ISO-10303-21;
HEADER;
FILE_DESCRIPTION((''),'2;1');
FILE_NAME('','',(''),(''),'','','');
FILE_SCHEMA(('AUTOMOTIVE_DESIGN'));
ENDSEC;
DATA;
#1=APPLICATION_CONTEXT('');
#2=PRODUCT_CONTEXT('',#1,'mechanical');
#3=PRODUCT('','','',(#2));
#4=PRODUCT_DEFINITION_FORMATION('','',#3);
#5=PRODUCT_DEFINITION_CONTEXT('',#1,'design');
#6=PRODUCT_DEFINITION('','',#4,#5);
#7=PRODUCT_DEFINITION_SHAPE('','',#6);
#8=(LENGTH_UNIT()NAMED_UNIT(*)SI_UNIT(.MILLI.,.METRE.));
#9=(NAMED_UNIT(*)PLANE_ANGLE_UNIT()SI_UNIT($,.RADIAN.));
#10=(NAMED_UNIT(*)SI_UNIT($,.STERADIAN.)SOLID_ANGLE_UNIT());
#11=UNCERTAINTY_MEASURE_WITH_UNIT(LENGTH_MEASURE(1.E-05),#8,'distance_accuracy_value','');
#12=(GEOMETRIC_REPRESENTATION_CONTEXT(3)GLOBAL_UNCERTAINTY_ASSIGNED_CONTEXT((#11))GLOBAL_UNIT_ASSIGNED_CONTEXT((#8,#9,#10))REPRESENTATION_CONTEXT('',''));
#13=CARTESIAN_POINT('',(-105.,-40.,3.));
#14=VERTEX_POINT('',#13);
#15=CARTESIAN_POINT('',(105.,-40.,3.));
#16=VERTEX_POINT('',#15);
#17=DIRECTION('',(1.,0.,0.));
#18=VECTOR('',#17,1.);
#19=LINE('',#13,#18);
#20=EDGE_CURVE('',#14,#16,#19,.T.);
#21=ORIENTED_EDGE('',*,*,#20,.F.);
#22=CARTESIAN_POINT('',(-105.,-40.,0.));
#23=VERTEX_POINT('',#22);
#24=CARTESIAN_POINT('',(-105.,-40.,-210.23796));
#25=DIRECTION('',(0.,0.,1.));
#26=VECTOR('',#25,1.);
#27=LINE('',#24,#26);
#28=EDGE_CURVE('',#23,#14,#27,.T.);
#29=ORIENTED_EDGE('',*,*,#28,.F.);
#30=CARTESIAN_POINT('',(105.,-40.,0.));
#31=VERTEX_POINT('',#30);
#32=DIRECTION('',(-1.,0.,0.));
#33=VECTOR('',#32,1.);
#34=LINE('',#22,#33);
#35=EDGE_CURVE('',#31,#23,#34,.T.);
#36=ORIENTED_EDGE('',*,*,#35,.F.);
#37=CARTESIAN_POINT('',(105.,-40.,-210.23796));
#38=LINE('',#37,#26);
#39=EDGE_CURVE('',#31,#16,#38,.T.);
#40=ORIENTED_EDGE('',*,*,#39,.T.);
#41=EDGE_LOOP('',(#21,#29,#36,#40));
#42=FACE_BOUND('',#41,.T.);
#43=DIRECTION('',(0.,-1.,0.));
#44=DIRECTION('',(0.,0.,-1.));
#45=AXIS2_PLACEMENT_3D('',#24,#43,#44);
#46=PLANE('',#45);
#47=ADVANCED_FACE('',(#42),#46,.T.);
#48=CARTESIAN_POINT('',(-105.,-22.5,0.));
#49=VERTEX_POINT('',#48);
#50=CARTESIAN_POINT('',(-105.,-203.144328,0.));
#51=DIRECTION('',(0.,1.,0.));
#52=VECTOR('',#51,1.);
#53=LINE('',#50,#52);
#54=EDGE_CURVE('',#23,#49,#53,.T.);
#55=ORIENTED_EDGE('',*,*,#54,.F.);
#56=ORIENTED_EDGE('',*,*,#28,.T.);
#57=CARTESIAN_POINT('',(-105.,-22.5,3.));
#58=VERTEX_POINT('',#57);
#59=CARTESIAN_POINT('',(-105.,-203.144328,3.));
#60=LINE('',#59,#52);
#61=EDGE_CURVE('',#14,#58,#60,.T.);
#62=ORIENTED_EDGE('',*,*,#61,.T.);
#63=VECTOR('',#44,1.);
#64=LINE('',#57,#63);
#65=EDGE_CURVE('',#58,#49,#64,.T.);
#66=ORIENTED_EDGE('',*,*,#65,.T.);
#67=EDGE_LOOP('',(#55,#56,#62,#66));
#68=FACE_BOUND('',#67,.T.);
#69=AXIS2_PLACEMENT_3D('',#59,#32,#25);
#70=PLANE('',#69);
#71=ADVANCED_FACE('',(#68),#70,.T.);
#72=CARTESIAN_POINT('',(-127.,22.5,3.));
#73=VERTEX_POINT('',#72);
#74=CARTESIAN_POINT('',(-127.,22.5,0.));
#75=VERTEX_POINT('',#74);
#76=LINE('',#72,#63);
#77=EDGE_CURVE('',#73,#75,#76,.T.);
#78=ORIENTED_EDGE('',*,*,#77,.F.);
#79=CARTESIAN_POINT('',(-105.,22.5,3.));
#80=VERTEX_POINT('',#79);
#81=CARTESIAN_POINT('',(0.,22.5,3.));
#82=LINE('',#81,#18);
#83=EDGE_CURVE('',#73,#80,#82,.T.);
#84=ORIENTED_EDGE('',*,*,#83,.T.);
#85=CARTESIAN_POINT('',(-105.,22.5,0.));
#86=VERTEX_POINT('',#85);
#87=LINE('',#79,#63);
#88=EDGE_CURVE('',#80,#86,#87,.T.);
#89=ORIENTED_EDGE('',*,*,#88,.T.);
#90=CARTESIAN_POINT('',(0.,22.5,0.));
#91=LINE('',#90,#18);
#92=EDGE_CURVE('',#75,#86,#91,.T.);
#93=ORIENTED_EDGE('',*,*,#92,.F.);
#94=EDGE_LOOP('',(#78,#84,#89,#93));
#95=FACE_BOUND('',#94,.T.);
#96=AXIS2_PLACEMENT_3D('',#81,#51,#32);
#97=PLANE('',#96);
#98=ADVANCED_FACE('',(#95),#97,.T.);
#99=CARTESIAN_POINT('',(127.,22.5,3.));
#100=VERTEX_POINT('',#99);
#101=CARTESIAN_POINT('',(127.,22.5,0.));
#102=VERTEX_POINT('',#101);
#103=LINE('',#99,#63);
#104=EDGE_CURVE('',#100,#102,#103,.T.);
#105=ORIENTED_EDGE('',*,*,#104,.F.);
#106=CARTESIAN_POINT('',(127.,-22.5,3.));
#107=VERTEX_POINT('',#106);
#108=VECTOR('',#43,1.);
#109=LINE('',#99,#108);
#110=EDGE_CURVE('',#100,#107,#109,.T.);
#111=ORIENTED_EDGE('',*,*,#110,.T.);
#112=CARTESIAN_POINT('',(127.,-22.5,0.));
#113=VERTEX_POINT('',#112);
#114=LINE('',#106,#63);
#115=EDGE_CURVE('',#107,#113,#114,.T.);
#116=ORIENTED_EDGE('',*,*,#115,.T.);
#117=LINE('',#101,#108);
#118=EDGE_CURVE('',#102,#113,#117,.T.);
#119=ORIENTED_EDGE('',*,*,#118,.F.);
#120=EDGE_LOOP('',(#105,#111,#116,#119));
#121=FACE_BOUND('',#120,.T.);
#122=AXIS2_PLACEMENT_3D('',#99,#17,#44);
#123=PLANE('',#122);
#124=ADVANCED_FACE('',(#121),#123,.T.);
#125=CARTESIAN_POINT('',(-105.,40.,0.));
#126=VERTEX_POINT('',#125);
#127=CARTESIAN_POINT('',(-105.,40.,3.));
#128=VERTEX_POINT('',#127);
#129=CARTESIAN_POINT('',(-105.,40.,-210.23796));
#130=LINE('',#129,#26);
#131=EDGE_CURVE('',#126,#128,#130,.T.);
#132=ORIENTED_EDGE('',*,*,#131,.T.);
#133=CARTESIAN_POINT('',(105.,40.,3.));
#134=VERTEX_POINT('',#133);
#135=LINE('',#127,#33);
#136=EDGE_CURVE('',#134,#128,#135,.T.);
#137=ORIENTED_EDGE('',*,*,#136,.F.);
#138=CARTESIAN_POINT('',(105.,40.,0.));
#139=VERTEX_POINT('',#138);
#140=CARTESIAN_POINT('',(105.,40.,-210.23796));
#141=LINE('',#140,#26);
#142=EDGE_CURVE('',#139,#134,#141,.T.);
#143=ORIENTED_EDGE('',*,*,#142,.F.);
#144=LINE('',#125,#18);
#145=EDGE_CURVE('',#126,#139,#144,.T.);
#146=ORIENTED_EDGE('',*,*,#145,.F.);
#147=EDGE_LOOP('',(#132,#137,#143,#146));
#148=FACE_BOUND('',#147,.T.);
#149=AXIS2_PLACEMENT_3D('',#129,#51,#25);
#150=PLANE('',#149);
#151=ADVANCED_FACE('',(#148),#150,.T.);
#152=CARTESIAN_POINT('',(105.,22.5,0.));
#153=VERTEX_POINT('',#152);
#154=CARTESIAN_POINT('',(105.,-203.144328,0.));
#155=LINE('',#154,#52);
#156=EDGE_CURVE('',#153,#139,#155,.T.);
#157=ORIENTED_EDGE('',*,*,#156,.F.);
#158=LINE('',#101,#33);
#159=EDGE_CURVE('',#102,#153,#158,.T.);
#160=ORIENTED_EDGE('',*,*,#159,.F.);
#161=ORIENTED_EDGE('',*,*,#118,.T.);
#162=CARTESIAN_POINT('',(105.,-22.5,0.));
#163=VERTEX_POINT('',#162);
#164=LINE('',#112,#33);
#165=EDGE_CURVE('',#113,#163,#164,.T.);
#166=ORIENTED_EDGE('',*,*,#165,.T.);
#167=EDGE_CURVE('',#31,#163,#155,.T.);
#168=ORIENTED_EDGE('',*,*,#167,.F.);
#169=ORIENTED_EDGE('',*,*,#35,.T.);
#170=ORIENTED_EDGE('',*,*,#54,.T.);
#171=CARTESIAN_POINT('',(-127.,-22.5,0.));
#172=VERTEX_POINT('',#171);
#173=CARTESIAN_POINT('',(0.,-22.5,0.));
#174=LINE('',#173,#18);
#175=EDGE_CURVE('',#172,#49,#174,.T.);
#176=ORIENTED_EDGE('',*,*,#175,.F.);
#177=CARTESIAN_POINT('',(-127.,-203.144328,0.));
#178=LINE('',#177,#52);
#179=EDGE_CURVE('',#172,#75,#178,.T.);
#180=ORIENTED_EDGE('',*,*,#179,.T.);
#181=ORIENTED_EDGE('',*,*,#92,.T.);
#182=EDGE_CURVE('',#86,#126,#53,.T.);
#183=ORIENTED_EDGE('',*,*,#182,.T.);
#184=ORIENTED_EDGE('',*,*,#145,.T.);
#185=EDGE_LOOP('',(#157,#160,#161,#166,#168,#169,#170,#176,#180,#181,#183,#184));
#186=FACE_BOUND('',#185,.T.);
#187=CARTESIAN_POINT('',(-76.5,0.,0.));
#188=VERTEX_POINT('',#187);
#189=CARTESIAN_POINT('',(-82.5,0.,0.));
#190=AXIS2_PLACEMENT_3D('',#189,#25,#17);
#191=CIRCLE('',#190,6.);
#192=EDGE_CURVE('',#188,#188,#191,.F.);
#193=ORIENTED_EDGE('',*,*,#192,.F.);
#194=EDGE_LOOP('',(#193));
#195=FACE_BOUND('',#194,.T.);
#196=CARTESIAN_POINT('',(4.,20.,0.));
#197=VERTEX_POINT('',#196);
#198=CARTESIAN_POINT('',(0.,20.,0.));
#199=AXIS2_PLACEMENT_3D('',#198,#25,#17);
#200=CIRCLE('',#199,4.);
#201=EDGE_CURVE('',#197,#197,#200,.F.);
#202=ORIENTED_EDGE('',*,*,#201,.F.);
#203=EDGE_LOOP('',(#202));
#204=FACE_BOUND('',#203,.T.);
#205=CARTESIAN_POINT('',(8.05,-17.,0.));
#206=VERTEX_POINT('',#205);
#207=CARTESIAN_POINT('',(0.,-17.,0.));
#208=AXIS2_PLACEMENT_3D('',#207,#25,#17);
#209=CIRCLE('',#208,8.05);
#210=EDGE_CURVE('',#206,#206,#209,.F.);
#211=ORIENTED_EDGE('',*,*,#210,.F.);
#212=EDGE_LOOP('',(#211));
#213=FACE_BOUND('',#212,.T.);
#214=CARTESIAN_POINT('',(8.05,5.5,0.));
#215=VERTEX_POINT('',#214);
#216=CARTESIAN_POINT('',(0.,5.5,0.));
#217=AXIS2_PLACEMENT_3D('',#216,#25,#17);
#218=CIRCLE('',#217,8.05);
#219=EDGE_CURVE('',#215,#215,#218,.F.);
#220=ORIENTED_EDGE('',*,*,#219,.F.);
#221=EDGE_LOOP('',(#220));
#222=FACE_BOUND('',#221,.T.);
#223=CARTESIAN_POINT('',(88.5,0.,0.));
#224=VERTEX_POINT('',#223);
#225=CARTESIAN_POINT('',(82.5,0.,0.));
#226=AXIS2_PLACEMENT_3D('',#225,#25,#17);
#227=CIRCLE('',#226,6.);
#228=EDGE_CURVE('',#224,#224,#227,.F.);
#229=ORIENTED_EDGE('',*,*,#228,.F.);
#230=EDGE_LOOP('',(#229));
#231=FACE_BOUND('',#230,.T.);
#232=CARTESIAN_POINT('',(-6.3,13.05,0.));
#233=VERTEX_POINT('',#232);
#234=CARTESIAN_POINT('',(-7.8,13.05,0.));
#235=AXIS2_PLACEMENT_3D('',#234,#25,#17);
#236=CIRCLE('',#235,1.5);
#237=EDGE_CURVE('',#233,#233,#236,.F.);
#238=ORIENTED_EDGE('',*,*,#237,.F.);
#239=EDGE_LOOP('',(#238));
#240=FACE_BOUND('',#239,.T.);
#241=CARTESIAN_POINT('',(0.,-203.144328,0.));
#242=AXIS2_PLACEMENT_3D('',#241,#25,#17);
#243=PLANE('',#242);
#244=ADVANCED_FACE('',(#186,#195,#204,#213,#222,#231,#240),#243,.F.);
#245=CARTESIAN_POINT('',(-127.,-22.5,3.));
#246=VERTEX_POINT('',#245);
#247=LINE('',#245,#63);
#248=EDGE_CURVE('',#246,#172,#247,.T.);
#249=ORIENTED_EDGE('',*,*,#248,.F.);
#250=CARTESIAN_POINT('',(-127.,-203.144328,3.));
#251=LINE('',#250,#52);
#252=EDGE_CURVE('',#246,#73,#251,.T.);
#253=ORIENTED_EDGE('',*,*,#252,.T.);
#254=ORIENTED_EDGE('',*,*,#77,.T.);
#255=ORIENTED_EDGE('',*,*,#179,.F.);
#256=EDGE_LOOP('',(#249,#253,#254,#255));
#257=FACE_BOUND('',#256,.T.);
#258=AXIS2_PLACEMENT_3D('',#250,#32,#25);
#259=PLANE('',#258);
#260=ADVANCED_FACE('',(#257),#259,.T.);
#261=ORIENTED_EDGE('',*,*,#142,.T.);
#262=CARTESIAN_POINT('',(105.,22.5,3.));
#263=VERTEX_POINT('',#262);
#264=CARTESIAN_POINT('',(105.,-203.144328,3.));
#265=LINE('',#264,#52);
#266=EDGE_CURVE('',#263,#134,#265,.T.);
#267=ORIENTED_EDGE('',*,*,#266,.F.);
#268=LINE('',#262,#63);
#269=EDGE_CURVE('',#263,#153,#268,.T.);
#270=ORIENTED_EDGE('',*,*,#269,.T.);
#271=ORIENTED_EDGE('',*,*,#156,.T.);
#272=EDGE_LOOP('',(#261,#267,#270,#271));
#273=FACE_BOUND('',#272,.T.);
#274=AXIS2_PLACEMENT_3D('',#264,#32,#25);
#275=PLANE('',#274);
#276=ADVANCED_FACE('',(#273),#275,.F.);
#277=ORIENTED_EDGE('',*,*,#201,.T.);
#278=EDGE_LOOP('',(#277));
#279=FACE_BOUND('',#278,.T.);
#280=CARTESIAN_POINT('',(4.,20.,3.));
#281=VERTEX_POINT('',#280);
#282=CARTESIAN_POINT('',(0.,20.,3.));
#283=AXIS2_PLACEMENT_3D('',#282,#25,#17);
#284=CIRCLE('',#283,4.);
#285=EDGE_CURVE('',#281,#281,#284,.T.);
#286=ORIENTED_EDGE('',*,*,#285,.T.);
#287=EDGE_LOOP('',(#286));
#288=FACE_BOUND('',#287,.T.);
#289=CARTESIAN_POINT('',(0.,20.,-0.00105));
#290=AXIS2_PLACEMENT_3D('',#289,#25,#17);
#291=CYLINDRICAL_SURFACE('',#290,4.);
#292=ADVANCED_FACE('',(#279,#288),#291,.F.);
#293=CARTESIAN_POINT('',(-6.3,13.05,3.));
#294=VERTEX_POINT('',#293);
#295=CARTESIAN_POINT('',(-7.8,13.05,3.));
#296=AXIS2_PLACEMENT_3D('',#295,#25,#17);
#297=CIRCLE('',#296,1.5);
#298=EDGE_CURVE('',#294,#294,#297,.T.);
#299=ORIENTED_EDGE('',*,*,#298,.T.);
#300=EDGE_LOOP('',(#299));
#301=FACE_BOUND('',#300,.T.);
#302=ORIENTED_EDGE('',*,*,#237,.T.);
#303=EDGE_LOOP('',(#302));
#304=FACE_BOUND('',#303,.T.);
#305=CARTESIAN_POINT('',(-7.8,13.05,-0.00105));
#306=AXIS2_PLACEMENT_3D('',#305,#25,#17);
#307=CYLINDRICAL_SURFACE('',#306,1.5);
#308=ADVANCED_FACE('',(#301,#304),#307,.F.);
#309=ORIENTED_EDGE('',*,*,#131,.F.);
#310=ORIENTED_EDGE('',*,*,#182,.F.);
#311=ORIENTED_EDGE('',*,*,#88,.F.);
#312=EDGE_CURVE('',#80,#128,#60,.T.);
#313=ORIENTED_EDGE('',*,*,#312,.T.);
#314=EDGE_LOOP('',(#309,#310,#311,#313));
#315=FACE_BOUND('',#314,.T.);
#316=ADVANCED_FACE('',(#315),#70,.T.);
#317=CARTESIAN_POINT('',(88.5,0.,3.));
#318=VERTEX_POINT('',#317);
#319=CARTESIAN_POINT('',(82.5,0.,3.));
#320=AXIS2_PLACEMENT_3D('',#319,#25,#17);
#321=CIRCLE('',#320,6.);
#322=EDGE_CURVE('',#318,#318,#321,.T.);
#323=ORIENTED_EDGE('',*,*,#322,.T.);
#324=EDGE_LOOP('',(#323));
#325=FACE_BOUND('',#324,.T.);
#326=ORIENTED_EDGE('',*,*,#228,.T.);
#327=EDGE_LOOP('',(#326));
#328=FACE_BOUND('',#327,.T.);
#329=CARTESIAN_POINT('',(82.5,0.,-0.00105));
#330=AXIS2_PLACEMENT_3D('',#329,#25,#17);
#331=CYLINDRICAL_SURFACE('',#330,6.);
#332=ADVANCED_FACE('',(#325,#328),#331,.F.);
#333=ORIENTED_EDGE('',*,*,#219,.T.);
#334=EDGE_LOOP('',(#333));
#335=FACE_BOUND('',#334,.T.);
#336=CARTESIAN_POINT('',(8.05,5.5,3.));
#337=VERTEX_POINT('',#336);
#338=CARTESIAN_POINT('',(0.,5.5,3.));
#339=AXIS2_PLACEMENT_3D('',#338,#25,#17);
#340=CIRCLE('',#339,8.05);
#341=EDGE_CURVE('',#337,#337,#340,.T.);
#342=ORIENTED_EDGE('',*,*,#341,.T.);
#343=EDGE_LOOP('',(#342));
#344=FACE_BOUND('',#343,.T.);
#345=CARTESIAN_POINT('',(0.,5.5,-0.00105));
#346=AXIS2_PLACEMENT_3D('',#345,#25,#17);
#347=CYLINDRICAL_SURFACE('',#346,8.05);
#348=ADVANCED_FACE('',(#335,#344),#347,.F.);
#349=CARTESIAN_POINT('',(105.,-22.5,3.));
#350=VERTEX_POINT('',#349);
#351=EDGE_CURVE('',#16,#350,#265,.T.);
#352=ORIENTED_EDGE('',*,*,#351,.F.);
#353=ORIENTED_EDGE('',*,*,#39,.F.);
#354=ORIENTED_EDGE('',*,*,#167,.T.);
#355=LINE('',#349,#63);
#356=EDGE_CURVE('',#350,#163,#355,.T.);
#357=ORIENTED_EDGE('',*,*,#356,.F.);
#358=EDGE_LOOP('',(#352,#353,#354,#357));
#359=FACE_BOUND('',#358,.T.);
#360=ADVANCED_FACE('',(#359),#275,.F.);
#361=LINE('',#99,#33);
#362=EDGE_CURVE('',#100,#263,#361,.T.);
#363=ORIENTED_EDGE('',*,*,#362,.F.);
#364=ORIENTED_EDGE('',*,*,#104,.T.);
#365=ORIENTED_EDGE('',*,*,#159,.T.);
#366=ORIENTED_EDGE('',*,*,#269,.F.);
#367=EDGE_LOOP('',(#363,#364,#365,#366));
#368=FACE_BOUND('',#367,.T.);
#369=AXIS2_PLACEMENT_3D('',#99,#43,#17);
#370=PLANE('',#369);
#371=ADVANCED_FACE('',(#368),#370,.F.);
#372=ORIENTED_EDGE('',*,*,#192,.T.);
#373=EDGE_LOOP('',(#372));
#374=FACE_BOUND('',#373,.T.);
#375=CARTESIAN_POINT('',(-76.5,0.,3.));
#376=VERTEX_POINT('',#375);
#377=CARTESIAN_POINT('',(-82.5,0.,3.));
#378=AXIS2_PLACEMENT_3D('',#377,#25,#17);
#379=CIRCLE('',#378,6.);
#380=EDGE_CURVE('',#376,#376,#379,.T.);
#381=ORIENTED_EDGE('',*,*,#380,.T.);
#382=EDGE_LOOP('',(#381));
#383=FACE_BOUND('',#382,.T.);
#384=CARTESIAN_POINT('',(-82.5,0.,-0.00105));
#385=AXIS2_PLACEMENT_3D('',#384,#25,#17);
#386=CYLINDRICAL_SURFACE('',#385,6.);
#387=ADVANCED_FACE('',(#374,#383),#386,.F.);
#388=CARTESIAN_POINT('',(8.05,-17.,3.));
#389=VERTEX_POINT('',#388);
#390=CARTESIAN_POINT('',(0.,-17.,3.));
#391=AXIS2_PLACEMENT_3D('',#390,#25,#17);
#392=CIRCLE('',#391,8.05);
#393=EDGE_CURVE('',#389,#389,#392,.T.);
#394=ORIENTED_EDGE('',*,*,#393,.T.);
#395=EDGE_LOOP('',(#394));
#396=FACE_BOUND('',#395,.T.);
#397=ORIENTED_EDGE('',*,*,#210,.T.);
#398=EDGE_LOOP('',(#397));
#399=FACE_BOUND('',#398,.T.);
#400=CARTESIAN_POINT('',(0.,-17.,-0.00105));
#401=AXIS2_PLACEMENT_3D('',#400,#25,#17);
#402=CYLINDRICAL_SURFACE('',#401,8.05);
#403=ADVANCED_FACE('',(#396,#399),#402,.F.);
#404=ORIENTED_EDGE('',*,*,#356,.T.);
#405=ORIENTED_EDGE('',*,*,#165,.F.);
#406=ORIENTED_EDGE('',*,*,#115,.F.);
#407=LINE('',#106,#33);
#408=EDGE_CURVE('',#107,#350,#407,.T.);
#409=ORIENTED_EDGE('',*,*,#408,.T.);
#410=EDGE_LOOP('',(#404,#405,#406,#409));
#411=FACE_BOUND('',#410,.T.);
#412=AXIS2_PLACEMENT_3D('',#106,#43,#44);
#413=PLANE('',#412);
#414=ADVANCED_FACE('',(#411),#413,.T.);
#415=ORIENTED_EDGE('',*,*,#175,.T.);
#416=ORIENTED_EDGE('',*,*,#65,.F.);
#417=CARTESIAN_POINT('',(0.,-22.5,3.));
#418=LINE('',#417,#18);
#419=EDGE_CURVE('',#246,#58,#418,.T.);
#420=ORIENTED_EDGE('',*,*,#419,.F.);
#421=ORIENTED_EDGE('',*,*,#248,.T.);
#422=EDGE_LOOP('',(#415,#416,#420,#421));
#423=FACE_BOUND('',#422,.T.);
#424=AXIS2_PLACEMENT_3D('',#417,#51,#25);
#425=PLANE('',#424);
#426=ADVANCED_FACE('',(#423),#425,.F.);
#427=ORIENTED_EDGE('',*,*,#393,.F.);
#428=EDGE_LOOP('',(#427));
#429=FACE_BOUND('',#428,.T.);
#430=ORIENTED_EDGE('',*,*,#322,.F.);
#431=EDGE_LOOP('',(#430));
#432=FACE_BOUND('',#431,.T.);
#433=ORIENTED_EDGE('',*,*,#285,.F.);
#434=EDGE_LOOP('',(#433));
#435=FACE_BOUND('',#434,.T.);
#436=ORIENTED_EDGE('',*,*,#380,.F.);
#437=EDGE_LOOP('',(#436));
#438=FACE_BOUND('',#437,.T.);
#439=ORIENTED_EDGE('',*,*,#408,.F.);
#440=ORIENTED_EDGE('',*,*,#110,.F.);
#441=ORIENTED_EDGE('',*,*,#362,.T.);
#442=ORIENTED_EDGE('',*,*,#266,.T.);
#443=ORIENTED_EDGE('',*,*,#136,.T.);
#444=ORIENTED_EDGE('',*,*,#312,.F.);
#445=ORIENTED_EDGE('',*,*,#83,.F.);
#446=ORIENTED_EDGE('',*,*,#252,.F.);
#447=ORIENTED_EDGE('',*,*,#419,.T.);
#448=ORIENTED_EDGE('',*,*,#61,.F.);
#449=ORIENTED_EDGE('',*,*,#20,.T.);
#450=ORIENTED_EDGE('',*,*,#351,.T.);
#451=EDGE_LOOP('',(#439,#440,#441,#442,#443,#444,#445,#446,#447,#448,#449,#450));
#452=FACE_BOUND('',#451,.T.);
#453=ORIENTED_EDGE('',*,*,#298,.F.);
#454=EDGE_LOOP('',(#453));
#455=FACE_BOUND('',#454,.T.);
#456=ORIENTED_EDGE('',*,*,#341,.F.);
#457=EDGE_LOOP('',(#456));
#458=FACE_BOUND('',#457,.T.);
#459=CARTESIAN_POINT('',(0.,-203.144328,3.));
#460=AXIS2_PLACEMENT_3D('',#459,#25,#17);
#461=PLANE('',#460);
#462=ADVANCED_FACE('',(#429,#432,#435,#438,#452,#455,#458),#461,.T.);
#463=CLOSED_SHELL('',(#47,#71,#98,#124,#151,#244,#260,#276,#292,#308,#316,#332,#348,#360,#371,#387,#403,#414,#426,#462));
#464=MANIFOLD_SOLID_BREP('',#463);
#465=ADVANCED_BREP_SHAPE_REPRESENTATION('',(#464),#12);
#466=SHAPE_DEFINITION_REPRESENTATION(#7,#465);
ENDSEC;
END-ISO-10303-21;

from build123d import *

# Parameters (mm, degrees)
CROQUIS1_W              = 22
CROQUIS1_H              = 45
CROQUIS1_W_2            = 210
CROQUIS1_H_2            = 60
SALIENTE_EXTRUIR1_DEPTH = 3
CORTAR_EXTRUIR1_REACH   = 5
CROQUIS2_R              = 6
CORTAR_EXTRUIR2_REACH   = 5
CROQUIS3_R              = 4
CROQUIS4_W              = 210
CROQUIS4_H              = 10
SALIENTE_EXTRUIR2_DEPTH = 3
CROQUIS5_W              = 210
CROQUIS5_H              = 10
SALIENTE_EXTRUIR3_DEPTH = 3
CORTAR_EXTRUIR3_REACH   = 5
CROQUIS6_R              = 1.5
CROQUIS6_R_2            = 8.05


with BuildPart() as part:
    # Croquis1 → Saliente-Extruir1 (new body)
    with BuildSketch(Plane.XY):
        with Locations((-116, 0)):
            Rectangle(CROQUIS1_W, CROQUIS1_H)
        Rectangle(CROQUIS1_W_2, CROQUIS1_H_2)
        with Locations((116, 0)):
            Rectangle(CROQUIS1_W, CROQUIS1_H)
    extrude(amount=SALIENTE_EXTRUIR1_DEPTH)

    # Croquis2 → Cortar-Extruir1 (cut, up to next)
    with BuildSketch(Plane.XY.offset(3), mode=Mode.PRIVATE) as cortar_extruir1_sk1:
        with Locations((82.5, 0)):
            Circle(CROQUIS2_R)
    cortar_extruir1_tool1 = extrude(cortar_extruir1_sk1.sketch, amount=-CORTAR_EXTRUIR1_REACH, mode=Mode.PRIVATE) & part.part
    add(cortar_extruir1_tool1.solids().sort_by_distance((82.5, 0, 3))[0], mode=Mode.SUBTRACT)
    # Croquis2 → Cortar-Extruir1 (cut, up to next)
    with BuildSketch(Plane.XY.offset(3), mode=Mode.PRIVATE) as cortar_extruir1_sk2:
        with Locations((-82.5, 0)):
            Circle(CROQUIS2_R)
    cortar_extruir1_tool2 = extrude(cortar_extruir1_sk2.sketch, amount=-CORTAR_EXTRUIR1_REACH, mode=Mode.PRIVATE) & part.part
    add(cortar_extruir1_tool2.solids().sort_by_distance((-82.5, 0, 3))[0], mode=Mode.SUBTRACT)

    # Croquis3 → Cortar-Extruir2 (cut, up to next)
    with BuildSketch(Plane.XY.offset(3), mode=Mode.PRIVATE) as cortar_extruir2_sk1:
        with Locations((0, 20)):
            Circle(CROQUIS3_R)
    cortar_extruir2_tool1 = extrude(cortar_extruir2_sk1.sketch, amount=-CORTAR_EXTRUIR2_REACH, mode=Mode.PRIVATE) & part.part
    add(cortar_extruir2_tool1.solids().sort_by_distance((0, 20, 3))[0], mode=Mode.SUBTRACT)

    # Croquis4 → Saliente-Extruir2 (add)
    with BuildSketch(Plane.XY.offset(3)):
        with Locations((0, -35)):
            Rectangle(CROQUIS4_W, CROQUIS4_H)
    extrude(amount=-SALIENTE_EXTRUIR2_DEPTH)

    # Croquis5 → Saliente-Extruir3 (add)
    with BuildSketch(Plane.XY.offset(3)):
        with Locations((0, 35)):
            Rectangle(CROQUIS5_W, CROQUIS5_H)
    extrude(amount=-SALIENTE_EXTRUIR3_DEPTH)

    # Croquis6 → Cortar-Extruir3 (cut, up to next)
    with BuildSketch(Plane.XY.offset(3), mode=Mode.PRIVATE) as cortar_extruir3_sk1:
        with Locations((-7.8, 13.05)):
            Circle(CROQUIS6_R)
    cortar_extruir3_tool1 = extrude(cortar_extruir3_sk1.sketch, amount=-CORTAR_EXTRUIR3_REACH, mode=Mode.PRIVATE) & part.part
    add(cortar_extruir3_tool1.solids().sort_by_distance((-7.8, 13.05, 3))[0], mode=Mode.SUBTRACT)
    # Croquis6 → Cortar-Extruir3 (cut, up to next)
    with BuildSketch(Plane.XY.offset(3), mode=Mode.PRIVATE) as cortar_extruir3_sk2:
        with Locations((0, 5.5)):
            Circle(CROQUIS6_R_2)
    cortar_extruir3_tool2 = extrude(cortar_extruir3_sk2.sketch, amount=-CORTAR_EXTRUIR3_REACH, mode=Mode.PRIVATE) & part.part
    add(cortar_extruir3_tool2.solids().sort_by_distance((0, 5.5, 3))[0], mode=Mode.SUBTRACT)
    # Croquis6 → Cortar-Extruir3 (cut, up to next)
    with BuildSketch(Plane.XY.offset(3), mode=Mode.PRIVATE) as cortar_extruir3_sk3:
        with Locations((0, -17)):
            Circle(CROQUIS6_R_2)
    cortar_extruir3_tool3 = extrude(cortar_extruir3_sk3.sketch, amount=-CORTAR_EXTRUIR3_REACH, mode=Mode.PRIVATE) & part.part
    add(cortar_extruir3_tool3.solids().sort_by_distance((0, -17, 3))[0], mode=Mode.SUBTRACT)


solid = part.part
